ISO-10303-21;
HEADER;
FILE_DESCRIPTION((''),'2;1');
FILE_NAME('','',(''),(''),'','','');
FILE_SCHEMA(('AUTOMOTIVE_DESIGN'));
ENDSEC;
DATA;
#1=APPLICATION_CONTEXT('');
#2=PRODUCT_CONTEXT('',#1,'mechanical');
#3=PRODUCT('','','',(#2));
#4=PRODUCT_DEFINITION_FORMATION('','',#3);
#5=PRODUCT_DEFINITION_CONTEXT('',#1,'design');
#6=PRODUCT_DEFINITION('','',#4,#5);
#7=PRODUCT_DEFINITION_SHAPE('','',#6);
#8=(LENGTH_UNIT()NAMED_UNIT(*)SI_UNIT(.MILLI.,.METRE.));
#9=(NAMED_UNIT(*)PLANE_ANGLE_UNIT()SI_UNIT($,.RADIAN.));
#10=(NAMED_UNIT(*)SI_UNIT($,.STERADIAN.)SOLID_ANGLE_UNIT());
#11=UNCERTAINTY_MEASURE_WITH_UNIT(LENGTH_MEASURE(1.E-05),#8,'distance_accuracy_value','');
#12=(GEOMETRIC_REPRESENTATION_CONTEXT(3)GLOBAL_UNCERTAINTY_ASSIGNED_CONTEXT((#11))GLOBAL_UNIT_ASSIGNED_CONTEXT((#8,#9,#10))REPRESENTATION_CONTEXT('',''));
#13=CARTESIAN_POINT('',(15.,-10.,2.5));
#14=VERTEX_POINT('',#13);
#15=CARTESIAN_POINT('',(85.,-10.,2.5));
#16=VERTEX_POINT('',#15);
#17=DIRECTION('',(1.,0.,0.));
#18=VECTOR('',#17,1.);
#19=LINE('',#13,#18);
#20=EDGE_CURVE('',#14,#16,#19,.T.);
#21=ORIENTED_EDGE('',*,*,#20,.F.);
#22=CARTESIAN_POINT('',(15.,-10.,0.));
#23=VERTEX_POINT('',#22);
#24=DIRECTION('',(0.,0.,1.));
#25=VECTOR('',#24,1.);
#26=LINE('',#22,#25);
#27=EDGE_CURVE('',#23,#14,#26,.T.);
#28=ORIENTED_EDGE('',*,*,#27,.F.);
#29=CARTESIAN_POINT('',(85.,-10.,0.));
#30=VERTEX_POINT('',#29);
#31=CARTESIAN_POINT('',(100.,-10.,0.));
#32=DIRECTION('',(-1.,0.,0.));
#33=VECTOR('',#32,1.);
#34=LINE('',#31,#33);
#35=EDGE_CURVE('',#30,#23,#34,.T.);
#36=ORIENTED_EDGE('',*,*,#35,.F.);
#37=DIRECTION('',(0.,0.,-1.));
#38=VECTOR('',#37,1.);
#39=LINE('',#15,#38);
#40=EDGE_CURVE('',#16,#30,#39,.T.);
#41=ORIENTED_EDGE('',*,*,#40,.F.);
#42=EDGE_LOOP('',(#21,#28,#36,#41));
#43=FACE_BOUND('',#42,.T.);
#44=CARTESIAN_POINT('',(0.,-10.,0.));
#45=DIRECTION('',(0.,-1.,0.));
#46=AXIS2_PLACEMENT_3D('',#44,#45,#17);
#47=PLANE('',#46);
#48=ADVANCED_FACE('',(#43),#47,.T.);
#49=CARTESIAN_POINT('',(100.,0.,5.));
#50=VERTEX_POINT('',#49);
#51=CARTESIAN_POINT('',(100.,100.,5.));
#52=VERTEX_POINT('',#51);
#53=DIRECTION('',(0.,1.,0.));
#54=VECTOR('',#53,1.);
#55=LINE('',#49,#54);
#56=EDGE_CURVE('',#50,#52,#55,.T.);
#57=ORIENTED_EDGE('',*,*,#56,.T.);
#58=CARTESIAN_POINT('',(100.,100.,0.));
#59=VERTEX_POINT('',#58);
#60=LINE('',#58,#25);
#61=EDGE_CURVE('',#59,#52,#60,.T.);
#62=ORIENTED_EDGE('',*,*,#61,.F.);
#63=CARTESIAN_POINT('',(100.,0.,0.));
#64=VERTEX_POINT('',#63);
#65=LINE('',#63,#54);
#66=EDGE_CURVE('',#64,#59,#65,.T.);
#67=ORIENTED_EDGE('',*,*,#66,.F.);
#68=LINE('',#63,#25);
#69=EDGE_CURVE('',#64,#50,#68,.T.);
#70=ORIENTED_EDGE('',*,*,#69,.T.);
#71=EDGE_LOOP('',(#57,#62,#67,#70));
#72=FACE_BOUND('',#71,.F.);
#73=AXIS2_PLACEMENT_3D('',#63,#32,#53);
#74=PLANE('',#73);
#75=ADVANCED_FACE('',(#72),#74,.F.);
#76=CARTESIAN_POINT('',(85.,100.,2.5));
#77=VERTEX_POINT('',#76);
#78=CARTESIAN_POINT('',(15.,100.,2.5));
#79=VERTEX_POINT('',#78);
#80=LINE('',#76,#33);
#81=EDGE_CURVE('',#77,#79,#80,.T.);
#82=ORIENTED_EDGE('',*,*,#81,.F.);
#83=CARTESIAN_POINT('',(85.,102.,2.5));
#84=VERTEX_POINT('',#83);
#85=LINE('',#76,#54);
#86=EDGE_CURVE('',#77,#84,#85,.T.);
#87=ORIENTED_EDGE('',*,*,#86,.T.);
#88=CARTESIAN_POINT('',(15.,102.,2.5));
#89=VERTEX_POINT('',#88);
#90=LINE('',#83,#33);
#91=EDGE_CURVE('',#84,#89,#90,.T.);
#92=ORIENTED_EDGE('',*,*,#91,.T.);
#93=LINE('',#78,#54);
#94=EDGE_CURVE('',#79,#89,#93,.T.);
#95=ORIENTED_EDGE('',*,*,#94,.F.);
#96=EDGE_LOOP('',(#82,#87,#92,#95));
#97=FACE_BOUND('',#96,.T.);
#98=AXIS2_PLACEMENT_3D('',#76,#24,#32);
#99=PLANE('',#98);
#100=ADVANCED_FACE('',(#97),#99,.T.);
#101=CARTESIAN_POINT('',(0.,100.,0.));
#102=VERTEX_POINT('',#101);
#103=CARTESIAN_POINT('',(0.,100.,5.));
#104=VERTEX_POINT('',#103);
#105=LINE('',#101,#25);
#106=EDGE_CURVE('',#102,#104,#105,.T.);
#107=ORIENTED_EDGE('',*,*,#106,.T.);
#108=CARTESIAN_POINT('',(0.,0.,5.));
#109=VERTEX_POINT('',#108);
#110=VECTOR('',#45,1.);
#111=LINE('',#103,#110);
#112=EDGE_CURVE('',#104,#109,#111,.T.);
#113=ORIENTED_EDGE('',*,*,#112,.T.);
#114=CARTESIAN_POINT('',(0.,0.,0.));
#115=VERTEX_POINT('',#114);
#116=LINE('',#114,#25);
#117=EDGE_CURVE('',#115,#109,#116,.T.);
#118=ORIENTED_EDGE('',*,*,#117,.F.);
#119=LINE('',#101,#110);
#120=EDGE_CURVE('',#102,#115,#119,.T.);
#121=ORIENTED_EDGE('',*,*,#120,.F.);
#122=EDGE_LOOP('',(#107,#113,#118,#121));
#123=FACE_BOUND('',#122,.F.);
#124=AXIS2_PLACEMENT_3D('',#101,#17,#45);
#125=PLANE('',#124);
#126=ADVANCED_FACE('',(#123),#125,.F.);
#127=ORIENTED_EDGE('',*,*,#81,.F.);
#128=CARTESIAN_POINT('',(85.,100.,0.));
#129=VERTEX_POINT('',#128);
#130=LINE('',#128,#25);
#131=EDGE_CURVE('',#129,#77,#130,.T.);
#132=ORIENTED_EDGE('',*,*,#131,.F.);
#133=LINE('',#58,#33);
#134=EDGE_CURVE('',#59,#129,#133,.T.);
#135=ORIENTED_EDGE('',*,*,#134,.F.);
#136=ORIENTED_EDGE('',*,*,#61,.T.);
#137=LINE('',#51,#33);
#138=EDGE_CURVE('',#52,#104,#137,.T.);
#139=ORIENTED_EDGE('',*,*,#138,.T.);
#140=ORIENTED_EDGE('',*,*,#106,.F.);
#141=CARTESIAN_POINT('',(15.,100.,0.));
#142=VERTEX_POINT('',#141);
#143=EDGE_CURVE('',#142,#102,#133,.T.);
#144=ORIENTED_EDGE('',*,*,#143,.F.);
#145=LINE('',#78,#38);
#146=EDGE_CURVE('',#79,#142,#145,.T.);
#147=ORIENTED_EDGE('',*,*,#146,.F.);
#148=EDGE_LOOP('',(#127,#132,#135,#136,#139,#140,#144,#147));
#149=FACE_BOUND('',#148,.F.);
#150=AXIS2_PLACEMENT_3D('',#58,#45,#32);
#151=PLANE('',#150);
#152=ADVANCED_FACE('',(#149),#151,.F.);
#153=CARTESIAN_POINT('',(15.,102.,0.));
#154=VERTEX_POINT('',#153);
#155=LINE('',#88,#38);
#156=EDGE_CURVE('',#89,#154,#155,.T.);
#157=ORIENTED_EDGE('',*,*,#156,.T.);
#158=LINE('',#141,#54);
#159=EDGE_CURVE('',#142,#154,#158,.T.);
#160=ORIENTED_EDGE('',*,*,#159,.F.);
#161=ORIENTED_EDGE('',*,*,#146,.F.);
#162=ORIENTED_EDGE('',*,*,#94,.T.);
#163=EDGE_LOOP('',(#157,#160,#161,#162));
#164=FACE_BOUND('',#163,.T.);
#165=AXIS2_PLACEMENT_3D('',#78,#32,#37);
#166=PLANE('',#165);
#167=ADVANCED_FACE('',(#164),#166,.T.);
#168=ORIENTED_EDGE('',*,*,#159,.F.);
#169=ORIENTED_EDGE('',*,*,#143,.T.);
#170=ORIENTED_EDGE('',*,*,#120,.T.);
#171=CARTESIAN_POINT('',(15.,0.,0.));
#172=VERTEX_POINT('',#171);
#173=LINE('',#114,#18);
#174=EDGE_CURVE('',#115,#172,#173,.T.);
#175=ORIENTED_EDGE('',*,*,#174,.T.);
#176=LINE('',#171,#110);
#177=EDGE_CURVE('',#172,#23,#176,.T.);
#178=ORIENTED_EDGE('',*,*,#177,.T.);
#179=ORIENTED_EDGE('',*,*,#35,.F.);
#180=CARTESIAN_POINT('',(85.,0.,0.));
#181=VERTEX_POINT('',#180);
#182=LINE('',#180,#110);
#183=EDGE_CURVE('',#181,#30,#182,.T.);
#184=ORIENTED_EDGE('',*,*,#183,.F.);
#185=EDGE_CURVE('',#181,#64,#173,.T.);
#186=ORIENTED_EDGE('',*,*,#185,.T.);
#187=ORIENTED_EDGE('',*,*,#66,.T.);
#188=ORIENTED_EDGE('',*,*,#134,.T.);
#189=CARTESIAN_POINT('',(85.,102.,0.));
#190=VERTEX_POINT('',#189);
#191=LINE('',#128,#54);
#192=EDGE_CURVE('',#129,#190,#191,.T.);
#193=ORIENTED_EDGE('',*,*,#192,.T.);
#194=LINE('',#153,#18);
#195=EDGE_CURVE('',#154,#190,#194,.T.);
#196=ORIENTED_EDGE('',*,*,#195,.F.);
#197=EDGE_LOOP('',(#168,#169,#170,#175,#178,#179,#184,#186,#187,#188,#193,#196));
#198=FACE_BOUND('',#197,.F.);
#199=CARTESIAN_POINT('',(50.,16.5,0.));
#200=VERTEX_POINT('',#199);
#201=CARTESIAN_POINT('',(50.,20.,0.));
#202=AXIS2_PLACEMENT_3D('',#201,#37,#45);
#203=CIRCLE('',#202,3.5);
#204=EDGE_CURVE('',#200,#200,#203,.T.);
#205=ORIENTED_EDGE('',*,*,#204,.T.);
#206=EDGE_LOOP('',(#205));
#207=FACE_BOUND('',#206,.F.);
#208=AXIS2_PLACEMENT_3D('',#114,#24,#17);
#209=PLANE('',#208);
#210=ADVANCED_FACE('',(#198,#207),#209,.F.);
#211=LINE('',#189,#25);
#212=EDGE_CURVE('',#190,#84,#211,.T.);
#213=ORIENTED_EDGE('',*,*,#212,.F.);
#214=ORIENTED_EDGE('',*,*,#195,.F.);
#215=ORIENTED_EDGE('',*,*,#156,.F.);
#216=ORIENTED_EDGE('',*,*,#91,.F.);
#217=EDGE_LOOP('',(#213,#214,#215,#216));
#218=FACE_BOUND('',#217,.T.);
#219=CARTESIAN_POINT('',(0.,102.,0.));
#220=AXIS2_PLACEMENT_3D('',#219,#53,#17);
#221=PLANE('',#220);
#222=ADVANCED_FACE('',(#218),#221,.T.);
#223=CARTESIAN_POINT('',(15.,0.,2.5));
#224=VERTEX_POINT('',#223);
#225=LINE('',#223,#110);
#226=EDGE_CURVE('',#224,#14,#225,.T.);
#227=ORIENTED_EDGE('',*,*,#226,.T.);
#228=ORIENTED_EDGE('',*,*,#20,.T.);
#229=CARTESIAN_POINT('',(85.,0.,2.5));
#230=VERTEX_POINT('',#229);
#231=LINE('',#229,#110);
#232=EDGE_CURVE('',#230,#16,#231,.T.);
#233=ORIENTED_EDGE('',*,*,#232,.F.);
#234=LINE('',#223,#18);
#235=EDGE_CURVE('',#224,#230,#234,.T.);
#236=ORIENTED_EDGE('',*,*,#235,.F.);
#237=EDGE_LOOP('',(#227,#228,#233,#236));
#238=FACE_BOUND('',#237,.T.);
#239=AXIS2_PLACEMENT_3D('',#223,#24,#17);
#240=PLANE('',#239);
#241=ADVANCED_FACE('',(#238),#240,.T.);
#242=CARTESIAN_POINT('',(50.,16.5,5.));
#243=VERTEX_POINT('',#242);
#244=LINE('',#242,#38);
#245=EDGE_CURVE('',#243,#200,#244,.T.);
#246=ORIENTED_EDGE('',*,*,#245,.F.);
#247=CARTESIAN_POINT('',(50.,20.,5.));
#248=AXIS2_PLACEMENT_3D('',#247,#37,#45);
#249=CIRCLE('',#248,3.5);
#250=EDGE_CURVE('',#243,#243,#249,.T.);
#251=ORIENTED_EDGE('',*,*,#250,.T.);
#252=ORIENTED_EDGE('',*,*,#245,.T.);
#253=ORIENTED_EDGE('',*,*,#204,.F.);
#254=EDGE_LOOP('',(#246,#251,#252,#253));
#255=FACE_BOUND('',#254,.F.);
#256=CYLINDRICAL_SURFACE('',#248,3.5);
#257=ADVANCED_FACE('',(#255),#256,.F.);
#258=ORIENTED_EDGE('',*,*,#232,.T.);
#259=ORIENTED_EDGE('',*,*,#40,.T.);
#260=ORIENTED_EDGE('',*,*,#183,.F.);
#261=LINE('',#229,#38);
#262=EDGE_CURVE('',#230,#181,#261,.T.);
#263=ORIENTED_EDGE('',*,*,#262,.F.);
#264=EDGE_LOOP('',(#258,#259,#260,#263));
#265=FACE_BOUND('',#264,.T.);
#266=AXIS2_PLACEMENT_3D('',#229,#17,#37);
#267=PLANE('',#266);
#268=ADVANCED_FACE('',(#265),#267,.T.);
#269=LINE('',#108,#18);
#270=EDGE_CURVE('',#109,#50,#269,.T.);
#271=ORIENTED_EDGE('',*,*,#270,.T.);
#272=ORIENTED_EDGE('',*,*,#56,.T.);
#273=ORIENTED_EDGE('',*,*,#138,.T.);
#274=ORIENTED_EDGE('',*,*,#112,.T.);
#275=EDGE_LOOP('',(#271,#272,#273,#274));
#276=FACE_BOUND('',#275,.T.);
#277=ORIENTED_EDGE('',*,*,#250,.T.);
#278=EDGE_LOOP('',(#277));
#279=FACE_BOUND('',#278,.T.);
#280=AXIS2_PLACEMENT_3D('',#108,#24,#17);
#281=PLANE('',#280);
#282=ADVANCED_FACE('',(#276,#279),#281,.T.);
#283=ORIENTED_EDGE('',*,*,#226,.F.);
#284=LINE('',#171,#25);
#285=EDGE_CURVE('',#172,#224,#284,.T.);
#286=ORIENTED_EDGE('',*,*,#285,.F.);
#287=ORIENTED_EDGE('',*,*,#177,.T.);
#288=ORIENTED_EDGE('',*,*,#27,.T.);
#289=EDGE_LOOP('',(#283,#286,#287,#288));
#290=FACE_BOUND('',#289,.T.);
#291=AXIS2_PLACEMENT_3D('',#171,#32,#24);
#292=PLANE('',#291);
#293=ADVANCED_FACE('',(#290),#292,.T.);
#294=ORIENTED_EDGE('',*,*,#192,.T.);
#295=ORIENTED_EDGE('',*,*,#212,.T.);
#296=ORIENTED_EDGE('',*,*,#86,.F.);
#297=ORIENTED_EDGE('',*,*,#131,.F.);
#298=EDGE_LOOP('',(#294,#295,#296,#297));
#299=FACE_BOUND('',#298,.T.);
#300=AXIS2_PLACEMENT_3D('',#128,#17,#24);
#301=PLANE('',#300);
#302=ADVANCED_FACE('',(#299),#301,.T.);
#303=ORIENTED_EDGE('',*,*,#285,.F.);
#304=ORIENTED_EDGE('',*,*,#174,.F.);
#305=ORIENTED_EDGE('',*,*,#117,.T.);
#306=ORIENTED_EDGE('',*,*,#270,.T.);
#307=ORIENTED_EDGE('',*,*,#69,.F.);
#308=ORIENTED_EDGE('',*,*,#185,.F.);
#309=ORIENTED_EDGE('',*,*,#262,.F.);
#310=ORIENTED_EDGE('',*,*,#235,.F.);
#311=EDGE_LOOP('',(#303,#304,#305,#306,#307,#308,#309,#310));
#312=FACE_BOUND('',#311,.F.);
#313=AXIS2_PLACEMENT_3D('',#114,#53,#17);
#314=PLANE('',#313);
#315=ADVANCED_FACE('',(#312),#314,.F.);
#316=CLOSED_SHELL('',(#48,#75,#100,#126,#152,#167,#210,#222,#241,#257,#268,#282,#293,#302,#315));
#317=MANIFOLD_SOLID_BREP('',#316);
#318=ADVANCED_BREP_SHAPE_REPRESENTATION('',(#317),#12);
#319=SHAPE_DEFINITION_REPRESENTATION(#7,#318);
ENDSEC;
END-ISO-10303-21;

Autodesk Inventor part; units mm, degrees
ref_plane "YZ Plane" through (0, 0, 0) normal (1, 0, 0) x (0, 1, 0)
ref_plane "XZ Plane" through (0, 0, 0) normal (0, 1, 0) x (-1, 0, 0)
ref_plane "XY Plane" through (0, 0, 0) normal (0, 0, 1) x (1, 0, 0)
sketch "スケッチ1" plane through (0, 0, 0) normal (0, 0, 1) x (1, 0, 0)
  line L0 (0, 0) -> (100, 0)
  line L1 (100, 0) -> (100, 100)
  line L2 (100, 100) -> (0, 100)
  line L3 (0, 100) -> (0, 0)
  dimension "d0" = 100
  dimension "d1" = 100
extrude "押し出し1" add sketch "スケッチ1" along normal blind 5
sketch "スケッチ2" plane through (0, 0, 0) normal (0, -1, 0) x (1, 0, 0)
  line L0 (100, 5) -> (0, 5) projected
  line L1 (50, 5) -> (50, 0) construction
  line L2 (100, 0) -> (0, 0) projected
  line L3 (85, 0) -> (15, 0)
  line L4 (15, 0) -> (15, 2.5)
  line L5 (15, 2.5) -> (85, 2.5)
  line L6 (85, 2.5) -> (85, 0)
  point P0 (15, 0)
  dimension "d4" = 70
  dimension "d5" = 2.5
extrude "押し出し2" add sketch "スケッチ2" along normal blind 10
sketch "スケッチ3" plane through (0, 0, 5) normal (0, 0, 1) x (1, 0, 0)
  line L0 (100, 100) -> (0, 100) projected
  line L1 (50, 100) -> (50, 0) construction
  line L2 (15, 0) -> (85, 0) projected
  point P0 (0, 0)
  point P1 (50, 20)
  dimension "d15" = 20
hole "穴1" at (50, 20, 5) direction (0, 0, -1) diameter 7 end through all
sketch "スケッチ5" plane through (0, 100, 0) normal (0, 1, 0) x (1, 0, 0)
  line L0 (53.5, -5) -> (46.5, -5) projected
  line L1 (50, -5) -> (50, 0) construction
  line L2 (46.5, 0) -> (53.5, 0) projected
  line L3 (100, 0) -> (0, 0) projected
  line L4 (15, 0) -> (85, 0)
  line L5 (85, 0) -> (85, -2.5)
  line L6 (85, -2.5) -> (15, -2.5)
  line L7 (15, -2.5) -> (15, 0)
  dimension "d25" = 2.5
  dimension "d26" = 70
extrude "押し出し3" add sketch "スケッチ5" along normal blind 2
properties part number "body_right"
